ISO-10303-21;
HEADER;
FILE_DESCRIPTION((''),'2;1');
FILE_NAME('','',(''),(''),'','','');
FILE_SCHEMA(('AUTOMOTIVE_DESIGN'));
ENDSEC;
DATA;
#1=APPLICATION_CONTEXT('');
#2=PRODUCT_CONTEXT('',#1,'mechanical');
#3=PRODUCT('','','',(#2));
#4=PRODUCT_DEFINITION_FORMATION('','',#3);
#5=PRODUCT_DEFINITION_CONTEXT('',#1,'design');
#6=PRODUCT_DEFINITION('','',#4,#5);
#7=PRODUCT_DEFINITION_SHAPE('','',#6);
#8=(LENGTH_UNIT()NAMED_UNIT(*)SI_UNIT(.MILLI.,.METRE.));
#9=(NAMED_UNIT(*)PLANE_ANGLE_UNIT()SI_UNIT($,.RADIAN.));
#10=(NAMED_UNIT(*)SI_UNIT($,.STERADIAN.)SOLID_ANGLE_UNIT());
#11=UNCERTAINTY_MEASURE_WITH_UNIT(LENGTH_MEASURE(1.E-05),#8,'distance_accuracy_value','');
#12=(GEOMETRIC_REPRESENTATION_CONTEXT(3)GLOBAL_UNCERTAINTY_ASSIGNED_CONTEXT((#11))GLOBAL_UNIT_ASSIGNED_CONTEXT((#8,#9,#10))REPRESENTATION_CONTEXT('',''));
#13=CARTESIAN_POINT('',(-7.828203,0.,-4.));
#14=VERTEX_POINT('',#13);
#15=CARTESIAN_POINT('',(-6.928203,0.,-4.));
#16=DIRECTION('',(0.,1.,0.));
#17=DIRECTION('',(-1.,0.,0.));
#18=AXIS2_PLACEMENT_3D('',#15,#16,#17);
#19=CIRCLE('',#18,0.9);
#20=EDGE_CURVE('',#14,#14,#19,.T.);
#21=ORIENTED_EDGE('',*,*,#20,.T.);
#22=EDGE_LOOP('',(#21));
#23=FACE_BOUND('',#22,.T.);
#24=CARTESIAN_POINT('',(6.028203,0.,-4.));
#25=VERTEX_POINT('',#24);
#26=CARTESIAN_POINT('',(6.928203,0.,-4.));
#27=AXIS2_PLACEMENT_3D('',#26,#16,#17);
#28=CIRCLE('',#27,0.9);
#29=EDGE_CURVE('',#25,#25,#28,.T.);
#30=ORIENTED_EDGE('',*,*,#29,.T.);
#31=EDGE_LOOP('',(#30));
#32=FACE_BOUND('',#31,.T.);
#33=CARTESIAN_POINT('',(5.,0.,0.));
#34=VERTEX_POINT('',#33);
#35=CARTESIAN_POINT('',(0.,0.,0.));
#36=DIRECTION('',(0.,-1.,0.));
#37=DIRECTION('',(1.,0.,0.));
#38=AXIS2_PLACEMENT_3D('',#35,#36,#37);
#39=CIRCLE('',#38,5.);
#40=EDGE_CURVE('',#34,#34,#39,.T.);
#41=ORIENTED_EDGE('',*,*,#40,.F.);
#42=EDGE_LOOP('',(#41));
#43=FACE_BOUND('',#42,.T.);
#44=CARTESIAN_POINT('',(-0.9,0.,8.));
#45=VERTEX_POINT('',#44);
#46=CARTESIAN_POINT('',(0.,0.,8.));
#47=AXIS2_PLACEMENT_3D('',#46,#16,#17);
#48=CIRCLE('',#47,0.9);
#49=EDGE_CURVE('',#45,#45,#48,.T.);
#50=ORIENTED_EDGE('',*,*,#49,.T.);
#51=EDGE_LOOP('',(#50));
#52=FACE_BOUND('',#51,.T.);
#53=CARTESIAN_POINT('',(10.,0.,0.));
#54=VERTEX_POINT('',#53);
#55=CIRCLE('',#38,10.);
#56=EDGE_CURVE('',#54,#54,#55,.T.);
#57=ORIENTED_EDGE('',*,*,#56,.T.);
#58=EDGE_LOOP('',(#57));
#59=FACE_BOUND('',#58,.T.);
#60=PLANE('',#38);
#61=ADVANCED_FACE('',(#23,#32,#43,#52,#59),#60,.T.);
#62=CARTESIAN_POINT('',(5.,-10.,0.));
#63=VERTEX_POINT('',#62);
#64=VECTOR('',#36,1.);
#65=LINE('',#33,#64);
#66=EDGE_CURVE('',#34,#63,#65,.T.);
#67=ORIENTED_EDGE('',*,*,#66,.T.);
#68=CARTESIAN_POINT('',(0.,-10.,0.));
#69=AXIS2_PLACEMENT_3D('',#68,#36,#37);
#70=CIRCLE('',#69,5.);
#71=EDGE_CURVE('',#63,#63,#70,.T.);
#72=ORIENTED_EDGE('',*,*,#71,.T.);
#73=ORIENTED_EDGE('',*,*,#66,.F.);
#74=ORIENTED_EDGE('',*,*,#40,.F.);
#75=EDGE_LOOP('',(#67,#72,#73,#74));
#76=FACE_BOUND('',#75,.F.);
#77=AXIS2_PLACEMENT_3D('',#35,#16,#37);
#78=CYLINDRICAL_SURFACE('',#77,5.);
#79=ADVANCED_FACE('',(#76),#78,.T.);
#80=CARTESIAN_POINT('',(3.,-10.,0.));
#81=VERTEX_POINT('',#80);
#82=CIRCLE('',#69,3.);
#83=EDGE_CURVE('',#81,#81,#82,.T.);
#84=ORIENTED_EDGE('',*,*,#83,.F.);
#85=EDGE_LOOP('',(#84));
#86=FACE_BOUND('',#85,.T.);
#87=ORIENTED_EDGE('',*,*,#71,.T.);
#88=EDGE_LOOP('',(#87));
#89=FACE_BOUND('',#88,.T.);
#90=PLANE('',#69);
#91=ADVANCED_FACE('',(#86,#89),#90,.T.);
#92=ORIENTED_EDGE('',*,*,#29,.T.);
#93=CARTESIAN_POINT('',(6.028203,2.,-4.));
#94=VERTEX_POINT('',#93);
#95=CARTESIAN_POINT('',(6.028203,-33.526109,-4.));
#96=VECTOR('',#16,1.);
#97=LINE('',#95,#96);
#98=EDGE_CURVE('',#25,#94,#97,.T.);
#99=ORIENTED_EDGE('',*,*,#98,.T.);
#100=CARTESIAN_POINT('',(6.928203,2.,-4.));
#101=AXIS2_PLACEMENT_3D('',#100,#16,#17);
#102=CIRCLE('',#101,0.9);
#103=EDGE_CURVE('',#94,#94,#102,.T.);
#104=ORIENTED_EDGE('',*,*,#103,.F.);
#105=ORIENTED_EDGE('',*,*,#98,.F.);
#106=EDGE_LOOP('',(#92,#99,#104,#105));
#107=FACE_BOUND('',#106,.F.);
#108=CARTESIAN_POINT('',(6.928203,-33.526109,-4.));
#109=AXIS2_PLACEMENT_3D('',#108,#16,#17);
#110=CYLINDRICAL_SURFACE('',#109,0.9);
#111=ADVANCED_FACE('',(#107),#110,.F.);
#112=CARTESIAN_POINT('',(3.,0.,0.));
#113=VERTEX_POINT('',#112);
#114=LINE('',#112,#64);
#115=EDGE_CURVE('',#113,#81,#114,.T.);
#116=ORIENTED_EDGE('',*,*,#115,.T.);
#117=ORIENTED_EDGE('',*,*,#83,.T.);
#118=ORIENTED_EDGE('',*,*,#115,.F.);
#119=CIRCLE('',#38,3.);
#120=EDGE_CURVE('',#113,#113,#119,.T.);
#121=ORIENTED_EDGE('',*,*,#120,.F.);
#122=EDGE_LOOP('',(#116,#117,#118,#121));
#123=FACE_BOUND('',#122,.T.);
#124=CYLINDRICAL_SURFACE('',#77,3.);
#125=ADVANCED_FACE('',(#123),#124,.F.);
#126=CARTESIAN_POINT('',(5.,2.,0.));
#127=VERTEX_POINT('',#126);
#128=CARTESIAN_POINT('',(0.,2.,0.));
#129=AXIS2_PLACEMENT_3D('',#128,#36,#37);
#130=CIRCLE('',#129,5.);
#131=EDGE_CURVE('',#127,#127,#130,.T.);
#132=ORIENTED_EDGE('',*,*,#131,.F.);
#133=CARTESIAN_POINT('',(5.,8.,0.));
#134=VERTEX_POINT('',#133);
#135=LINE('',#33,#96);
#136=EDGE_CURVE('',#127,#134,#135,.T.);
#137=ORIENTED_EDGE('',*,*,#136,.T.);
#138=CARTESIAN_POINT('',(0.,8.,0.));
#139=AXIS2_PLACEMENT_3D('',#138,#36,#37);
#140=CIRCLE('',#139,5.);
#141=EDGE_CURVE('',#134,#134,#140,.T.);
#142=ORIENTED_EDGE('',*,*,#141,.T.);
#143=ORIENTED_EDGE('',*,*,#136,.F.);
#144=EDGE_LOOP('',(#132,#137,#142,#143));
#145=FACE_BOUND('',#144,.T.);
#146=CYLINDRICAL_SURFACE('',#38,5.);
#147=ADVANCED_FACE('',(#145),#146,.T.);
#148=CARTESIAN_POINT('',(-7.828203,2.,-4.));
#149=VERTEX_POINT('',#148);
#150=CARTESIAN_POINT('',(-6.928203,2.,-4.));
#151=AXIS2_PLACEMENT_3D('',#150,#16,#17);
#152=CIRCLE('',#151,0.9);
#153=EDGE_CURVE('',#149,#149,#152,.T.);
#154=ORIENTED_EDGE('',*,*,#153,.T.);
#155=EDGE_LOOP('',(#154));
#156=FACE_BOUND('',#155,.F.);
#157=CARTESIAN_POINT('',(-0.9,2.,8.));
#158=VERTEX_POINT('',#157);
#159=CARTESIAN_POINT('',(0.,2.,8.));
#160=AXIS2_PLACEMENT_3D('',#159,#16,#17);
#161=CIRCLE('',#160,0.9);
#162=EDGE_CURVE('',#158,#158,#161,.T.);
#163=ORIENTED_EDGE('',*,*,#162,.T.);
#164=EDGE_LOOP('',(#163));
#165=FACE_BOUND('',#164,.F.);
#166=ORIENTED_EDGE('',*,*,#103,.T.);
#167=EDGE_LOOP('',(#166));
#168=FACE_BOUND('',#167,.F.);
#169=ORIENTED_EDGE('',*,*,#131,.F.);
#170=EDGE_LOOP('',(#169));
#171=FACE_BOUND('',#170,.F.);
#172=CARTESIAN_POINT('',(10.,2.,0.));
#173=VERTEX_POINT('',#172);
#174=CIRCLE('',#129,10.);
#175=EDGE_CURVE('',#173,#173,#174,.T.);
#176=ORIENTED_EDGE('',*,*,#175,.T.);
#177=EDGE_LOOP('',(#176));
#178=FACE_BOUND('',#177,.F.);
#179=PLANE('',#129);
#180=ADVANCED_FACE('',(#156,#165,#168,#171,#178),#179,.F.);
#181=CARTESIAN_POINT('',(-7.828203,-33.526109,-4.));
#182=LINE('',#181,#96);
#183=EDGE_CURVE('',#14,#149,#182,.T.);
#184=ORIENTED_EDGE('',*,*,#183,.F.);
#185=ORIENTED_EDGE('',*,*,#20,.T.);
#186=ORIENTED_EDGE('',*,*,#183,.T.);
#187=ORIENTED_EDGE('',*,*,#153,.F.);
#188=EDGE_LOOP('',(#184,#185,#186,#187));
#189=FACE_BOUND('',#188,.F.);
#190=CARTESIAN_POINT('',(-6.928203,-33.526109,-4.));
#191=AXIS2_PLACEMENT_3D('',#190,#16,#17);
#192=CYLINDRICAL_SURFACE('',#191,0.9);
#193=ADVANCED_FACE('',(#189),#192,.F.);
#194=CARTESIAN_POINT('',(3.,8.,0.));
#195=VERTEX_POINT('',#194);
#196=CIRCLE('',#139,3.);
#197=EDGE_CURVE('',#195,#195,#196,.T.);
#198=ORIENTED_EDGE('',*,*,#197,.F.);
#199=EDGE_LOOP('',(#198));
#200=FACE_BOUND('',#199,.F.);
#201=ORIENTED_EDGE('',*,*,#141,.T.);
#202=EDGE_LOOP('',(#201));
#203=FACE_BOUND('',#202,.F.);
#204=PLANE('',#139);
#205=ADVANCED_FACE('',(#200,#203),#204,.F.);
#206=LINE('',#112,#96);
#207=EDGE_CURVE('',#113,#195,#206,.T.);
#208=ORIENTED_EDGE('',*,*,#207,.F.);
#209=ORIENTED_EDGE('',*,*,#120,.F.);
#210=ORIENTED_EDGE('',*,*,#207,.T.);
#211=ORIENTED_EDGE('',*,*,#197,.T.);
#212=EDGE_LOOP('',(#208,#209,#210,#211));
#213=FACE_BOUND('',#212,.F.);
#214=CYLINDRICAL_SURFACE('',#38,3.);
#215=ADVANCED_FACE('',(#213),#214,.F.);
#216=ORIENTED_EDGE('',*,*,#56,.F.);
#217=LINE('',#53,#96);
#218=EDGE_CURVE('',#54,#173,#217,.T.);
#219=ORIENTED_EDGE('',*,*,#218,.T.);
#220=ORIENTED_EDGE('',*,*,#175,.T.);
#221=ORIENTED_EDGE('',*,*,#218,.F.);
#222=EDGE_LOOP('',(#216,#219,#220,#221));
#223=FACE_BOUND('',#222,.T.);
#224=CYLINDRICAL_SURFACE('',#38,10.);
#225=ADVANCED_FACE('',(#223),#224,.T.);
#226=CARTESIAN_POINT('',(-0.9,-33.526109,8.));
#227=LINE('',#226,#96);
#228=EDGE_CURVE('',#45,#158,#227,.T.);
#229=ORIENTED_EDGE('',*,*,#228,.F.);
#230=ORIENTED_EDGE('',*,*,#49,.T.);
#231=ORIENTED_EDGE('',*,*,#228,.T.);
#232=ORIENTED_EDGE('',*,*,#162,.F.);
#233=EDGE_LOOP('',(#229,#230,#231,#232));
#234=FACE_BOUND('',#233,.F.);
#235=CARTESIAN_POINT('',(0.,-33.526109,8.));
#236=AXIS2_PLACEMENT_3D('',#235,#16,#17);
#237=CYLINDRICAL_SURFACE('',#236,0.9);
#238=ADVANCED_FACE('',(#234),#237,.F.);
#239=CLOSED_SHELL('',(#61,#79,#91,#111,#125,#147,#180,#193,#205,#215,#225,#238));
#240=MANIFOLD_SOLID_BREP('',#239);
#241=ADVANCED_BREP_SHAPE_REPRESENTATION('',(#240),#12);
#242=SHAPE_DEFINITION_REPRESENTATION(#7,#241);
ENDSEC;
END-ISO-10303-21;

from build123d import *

# Parameters (mm, degrees)
F0_R          = 10
F0_R_2        = 5
F1_DEPTH      = 2
F0_R_3        = 3
F2_DEPTH      = 10
F2_DEPTH_BACK = 8
F3_D          = 1.8


with BuildPart() as f1:
    # F0 (on Front) → F1 (new body)
    with BuildSketch(Plane.XZ):
        Circle(F0_R)
        Circle(F0_R_2, mode=Mode.SUBTRACT)
    extrude(amount=-F1_DEPTH)

    # F0 (on Front) → F2 (join, two sides)
    with BuildSketch(Plane.XZ) as f2_sk:
        Circle(F0_R_2)
        Circle(F0_R_3, mode=Mode.SUBTRACT)
    extrude(amount=F2_DEPTH)
    extrude(f2_sk.sketch, amount=-F2_DEPTH_BACK)

    # F3 (through all)
    with Locations(Plane.XZ):
        with Locations((0, 8), (6.928203, -4), (-6.928203, -4)):
            Hole(F3_D / 2)


solid = f1.part
